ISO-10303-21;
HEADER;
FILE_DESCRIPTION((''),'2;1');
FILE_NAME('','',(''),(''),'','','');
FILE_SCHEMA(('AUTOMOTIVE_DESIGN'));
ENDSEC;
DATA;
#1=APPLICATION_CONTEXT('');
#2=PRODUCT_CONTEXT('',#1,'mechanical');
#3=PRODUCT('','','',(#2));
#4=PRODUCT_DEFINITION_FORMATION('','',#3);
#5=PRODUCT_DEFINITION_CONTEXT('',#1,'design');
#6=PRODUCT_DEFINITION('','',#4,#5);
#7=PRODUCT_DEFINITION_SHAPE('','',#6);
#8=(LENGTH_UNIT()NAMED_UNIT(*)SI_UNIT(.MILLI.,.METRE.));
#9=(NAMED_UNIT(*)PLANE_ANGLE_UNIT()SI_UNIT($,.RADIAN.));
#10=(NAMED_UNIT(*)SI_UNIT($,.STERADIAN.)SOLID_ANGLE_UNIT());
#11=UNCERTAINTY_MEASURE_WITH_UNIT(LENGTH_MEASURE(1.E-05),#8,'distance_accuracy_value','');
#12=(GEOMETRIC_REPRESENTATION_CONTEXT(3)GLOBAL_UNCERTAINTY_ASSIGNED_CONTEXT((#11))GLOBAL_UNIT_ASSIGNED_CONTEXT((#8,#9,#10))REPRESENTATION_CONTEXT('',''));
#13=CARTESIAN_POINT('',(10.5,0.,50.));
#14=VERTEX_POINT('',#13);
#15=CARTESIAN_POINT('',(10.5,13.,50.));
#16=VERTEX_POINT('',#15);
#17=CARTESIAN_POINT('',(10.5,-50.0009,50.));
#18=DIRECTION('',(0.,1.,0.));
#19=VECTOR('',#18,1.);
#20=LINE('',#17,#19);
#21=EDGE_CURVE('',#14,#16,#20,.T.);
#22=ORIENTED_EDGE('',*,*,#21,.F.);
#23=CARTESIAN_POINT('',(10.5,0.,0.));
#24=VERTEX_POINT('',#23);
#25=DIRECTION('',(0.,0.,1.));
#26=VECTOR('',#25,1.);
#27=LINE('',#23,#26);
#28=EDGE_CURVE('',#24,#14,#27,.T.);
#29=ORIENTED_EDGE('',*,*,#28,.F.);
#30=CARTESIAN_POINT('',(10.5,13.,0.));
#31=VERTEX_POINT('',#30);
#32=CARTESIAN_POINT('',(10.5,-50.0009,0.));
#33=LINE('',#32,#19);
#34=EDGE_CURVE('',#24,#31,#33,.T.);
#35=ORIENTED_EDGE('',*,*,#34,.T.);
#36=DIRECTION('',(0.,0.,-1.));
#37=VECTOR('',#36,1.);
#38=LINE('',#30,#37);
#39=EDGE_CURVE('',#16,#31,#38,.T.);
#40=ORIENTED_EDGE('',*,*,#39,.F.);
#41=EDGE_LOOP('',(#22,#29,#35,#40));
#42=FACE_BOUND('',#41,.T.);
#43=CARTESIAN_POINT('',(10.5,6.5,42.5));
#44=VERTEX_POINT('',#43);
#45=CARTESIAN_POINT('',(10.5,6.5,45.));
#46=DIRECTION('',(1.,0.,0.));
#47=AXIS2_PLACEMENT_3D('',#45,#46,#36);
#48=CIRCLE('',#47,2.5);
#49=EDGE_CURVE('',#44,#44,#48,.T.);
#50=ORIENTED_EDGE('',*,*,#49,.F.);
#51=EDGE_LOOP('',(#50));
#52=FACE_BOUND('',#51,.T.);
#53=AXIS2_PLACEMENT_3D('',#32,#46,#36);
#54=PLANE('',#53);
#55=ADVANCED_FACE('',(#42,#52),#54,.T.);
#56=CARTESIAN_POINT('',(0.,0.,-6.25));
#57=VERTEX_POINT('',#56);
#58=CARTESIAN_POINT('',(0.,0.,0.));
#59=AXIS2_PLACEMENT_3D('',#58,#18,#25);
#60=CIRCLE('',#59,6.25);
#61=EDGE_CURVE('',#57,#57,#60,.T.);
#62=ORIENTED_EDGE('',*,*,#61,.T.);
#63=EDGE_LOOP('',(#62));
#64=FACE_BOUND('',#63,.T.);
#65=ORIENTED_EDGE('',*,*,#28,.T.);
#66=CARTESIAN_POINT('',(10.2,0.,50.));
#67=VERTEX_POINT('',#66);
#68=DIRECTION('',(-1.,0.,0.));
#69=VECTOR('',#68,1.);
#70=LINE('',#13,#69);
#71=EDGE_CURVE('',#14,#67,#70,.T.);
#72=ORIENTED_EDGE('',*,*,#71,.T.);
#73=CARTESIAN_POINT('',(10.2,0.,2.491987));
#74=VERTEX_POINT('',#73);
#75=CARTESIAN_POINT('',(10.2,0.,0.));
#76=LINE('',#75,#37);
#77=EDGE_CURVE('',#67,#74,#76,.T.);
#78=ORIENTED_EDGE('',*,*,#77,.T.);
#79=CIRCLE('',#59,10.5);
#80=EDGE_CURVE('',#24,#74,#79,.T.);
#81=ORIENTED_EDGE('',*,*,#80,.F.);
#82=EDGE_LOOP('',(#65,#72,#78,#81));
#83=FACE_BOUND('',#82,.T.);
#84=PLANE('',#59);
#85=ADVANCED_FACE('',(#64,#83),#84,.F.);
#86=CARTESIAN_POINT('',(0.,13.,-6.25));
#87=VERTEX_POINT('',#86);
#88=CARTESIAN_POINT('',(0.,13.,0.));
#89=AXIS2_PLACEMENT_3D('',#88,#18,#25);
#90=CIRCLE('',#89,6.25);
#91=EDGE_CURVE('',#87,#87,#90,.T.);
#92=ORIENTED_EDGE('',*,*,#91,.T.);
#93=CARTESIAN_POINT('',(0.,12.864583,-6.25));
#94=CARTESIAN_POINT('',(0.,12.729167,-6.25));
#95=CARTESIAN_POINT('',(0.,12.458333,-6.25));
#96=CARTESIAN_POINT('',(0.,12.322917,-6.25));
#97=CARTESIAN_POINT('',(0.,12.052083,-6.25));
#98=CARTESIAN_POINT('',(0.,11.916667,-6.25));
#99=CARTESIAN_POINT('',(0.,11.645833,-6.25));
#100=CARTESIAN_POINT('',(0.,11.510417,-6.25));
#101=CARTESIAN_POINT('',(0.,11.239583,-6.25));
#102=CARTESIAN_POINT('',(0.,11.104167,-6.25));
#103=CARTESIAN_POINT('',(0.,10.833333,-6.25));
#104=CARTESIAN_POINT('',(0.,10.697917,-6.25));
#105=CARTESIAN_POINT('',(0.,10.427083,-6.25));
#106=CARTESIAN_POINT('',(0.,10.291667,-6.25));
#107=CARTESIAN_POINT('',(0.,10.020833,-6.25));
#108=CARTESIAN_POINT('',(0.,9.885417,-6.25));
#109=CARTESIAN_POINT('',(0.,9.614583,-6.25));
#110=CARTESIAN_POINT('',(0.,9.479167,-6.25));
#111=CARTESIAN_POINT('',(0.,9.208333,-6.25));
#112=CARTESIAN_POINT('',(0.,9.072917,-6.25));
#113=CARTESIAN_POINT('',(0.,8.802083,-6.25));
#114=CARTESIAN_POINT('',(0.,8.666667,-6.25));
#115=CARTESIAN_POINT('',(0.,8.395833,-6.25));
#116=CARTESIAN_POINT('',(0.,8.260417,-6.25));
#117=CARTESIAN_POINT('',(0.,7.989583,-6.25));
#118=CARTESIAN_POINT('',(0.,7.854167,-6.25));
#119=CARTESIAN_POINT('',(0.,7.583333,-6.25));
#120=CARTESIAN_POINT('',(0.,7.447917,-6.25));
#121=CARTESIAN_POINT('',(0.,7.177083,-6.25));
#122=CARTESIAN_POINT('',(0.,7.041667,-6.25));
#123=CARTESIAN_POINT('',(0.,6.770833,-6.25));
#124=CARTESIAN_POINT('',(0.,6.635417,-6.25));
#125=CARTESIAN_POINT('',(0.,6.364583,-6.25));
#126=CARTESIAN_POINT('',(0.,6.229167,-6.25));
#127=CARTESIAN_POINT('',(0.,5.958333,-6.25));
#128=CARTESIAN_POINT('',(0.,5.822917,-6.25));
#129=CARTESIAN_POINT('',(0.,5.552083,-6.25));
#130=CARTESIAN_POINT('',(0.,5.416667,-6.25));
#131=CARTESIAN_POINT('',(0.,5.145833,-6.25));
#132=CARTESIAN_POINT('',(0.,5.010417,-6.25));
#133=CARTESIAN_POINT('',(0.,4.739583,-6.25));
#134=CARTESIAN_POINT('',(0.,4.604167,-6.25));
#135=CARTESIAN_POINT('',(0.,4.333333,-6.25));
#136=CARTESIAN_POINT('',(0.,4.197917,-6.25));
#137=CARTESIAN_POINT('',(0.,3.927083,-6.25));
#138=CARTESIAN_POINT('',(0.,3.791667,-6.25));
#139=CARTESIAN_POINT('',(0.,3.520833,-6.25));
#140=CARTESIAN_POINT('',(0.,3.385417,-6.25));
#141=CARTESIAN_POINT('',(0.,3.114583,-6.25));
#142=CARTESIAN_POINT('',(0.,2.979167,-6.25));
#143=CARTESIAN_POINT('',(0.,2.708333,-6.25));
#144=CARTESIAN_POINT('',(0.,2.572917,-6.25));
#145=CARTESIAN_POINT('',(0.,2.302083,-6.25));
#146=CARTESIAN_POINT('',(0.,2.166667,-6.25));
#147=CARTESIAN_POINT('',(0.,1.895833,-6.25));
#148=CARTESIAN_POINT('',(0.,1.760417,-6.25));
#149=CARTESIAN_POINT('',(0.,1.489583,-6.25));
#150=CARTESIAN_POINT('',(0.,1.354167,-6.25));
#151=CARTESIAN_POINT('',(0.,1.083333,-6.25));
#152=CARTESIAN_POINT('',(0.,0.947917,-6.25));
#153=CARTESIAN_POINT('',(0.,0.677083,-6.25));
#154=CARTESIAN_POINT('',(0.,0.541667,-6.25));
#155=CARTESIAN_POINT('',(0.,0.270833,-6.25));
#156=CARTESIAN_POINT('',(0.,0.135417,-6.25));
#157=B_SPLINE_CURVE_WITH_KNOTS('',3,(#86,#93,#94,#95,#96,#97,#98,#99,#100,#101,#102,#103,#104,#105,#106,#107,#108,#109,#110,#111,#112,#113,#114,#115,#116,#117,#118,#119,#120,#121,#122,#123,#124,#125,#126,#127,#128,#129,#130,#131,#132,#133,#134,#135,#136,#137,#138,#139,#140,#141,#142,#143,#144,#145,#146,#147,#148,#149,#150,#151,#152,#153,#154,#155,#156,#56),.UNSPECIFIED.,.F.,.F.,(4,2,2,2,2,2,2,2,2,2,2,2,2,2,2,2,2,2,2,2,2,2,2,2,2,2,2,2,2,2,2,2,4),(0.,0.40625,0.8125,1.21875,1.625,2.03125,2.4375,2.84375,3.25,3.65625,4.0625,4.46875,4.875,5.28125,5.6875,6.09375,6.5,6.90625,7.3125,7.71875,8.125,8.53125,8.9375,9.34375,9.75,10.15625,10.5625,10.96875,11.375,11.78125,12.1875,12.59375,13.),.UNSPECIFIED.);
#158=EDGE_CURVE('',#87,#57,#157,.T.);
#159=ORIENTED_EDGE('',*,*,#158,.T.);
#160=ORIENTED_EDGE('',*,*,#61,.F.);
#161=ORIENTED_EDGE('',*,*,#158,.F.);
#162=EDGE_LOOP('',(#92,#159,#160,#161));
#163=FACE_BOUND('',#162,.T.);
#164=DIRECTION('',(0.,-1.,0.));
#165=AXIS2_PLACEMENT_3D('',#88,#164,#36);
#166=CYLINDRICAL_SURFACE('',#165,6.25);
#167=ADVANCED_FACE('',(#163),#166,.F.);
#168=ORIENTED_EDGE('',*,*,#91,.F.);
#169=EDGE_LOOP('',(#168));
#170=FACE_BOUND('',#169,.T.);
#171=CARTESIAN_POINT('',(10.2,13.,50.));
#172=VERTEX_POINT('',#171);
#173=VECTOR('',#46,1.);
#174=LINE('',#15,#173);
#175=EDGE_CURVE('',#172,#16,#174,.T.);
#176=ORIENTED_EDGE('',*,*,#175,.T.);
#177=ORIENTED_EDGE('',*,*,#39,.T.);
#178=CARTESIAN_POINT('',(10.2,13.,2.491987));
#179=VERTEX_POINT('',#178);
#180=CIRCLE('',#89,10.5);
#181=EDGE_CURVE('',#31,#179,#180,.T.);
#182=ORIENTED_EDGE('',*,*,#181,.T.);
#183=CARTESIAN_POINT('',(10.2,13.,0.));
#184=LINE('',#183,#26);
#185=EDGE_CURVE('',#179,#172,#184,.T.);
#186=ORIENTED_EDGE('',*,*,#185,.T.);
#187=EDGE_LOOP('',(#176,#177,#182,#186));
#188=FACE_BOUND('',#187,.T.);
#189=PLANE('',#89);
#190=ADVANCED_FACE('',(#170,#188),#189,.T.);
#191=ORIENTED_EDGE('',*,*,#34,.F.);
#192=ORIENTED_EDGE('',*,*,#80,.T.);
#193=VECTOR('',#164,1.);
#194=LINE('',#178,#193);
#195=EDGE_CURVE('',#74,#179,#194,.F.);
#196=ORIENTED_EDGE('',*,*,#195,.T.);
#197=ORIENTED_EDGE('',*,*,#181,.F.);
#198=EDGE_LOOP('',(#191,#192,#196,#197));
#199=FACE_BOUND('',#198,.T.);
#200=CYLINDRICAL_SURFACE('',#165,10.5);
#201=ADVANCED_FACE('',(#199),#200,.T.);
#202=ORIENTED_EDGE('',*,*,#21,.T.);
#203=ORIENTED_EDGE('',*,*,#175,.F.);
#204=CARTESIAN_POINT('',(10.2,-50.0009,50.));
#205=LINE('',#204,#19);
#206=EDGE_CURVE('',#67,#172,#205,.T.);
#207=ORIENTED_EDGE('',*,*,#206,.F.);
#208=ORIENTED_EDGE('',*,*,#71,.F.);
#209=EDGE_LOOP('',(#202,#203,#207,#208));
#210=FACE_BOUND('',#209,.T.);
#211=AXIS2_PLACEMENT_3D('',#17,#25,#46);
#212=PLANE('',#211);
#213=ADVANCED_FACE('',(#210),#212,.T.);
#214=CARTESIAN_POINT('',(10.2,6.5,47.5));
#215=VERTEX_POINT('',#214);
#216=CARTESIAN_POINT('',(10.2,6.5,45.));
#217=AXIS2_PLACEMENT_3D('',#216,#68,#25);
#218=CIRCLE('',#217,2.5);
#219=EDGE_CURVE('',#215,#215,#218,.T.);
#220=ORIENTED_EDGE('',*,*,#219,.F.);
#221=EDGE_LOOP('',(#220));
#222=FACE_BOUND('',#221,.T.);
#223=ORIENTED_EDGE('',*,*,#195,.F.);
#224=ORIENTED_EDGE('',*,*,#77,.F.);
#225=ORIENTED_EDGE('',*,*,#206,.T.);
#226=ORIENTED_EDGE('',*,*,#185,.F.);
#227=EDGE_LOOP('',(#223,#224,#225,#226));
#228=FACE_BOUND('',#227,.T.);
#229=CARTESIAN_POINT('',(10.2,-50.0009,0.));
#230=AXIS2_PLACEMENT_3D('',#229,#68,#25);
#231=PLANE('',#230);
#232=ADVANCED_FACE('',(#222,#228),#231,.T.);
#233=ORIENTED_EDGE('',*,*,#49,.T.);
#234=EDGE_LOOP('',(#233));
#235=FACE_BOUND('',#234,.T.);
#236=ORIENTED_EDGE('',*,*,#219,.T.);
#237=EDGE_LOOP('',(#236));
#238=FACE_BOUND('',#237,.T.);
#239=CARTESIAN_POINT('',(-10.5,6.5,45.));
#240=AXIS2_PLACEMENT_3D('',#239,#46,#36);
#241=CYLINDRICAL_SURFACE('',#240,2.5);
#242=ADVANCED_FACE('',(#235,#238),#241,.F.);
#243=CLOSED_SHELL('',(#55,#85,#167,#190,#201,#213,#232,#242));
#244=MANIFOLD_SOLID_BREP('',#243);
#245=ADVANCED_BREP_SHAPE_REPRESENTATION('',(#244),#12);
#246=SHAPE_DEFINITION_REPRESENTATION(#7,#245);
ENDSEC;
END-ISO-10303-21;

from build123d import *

# Parameters (mm, degrees)
SKETCH_1_R          = 10.5
SKETCH_1_R_2        = 6.25
EXTRUDE_1_DEPTH     = 13
SKETCH_2_W          = 0.3
SKETCH_2_H          = 50
EXTRUDE_2_DEPTH     = 13
SKETCH_3_R          = 2.5
CUT_EXTRUDE_1_DEPTH = 56.767373974


with BuildPart() as part:
    # 草图1 → 凸台-拉伸1 (new body)
    with BuildSketch(Plane(origin=(0, 0, 0), x_dir=(1, 0, 0), z_dir=(0, 1, 0))):
        with Locations(Location((0, 0, 0), (0, 0, 90))):
            Circle(SKETCH_1_R)
        with Locations(Location((0, 0, 0), (0, 0, 90))):
            Circle(SKETCH_1_R_2, mode=Mode.SUBTRACT)
    extrude(amount=EXTRUDE_1_DEPTH)

    # 草图2 → 凸台-拉伸2 (add)
    with BuildSketch(Plane(origin=(0, 13, 0), x_dir=(1, 0, 0), z_dir=(0, 1, 0))):
        with Locations((10.35, -25)):
            Rectangle(SKETCH_2_W, SKETCH_2_H)
    extrude(amount=-EXTRUDE_2_DEPTH)

    # 草图3 → 切除-拉伸1 (cut, through all)
    with BuildSketch(Plane(origin=(10.5, 0, 0), x_dir=(0, 0, -1), z_dir=(1, 0, 0))):
        with Locations((-45, 6.5)):
            Circle(SKETCH_3_R)
    extrude(amount=-CUT_EXTRUDE_1_DEPTH, mode=Mode.SUBTRACT)


solid = part.part
